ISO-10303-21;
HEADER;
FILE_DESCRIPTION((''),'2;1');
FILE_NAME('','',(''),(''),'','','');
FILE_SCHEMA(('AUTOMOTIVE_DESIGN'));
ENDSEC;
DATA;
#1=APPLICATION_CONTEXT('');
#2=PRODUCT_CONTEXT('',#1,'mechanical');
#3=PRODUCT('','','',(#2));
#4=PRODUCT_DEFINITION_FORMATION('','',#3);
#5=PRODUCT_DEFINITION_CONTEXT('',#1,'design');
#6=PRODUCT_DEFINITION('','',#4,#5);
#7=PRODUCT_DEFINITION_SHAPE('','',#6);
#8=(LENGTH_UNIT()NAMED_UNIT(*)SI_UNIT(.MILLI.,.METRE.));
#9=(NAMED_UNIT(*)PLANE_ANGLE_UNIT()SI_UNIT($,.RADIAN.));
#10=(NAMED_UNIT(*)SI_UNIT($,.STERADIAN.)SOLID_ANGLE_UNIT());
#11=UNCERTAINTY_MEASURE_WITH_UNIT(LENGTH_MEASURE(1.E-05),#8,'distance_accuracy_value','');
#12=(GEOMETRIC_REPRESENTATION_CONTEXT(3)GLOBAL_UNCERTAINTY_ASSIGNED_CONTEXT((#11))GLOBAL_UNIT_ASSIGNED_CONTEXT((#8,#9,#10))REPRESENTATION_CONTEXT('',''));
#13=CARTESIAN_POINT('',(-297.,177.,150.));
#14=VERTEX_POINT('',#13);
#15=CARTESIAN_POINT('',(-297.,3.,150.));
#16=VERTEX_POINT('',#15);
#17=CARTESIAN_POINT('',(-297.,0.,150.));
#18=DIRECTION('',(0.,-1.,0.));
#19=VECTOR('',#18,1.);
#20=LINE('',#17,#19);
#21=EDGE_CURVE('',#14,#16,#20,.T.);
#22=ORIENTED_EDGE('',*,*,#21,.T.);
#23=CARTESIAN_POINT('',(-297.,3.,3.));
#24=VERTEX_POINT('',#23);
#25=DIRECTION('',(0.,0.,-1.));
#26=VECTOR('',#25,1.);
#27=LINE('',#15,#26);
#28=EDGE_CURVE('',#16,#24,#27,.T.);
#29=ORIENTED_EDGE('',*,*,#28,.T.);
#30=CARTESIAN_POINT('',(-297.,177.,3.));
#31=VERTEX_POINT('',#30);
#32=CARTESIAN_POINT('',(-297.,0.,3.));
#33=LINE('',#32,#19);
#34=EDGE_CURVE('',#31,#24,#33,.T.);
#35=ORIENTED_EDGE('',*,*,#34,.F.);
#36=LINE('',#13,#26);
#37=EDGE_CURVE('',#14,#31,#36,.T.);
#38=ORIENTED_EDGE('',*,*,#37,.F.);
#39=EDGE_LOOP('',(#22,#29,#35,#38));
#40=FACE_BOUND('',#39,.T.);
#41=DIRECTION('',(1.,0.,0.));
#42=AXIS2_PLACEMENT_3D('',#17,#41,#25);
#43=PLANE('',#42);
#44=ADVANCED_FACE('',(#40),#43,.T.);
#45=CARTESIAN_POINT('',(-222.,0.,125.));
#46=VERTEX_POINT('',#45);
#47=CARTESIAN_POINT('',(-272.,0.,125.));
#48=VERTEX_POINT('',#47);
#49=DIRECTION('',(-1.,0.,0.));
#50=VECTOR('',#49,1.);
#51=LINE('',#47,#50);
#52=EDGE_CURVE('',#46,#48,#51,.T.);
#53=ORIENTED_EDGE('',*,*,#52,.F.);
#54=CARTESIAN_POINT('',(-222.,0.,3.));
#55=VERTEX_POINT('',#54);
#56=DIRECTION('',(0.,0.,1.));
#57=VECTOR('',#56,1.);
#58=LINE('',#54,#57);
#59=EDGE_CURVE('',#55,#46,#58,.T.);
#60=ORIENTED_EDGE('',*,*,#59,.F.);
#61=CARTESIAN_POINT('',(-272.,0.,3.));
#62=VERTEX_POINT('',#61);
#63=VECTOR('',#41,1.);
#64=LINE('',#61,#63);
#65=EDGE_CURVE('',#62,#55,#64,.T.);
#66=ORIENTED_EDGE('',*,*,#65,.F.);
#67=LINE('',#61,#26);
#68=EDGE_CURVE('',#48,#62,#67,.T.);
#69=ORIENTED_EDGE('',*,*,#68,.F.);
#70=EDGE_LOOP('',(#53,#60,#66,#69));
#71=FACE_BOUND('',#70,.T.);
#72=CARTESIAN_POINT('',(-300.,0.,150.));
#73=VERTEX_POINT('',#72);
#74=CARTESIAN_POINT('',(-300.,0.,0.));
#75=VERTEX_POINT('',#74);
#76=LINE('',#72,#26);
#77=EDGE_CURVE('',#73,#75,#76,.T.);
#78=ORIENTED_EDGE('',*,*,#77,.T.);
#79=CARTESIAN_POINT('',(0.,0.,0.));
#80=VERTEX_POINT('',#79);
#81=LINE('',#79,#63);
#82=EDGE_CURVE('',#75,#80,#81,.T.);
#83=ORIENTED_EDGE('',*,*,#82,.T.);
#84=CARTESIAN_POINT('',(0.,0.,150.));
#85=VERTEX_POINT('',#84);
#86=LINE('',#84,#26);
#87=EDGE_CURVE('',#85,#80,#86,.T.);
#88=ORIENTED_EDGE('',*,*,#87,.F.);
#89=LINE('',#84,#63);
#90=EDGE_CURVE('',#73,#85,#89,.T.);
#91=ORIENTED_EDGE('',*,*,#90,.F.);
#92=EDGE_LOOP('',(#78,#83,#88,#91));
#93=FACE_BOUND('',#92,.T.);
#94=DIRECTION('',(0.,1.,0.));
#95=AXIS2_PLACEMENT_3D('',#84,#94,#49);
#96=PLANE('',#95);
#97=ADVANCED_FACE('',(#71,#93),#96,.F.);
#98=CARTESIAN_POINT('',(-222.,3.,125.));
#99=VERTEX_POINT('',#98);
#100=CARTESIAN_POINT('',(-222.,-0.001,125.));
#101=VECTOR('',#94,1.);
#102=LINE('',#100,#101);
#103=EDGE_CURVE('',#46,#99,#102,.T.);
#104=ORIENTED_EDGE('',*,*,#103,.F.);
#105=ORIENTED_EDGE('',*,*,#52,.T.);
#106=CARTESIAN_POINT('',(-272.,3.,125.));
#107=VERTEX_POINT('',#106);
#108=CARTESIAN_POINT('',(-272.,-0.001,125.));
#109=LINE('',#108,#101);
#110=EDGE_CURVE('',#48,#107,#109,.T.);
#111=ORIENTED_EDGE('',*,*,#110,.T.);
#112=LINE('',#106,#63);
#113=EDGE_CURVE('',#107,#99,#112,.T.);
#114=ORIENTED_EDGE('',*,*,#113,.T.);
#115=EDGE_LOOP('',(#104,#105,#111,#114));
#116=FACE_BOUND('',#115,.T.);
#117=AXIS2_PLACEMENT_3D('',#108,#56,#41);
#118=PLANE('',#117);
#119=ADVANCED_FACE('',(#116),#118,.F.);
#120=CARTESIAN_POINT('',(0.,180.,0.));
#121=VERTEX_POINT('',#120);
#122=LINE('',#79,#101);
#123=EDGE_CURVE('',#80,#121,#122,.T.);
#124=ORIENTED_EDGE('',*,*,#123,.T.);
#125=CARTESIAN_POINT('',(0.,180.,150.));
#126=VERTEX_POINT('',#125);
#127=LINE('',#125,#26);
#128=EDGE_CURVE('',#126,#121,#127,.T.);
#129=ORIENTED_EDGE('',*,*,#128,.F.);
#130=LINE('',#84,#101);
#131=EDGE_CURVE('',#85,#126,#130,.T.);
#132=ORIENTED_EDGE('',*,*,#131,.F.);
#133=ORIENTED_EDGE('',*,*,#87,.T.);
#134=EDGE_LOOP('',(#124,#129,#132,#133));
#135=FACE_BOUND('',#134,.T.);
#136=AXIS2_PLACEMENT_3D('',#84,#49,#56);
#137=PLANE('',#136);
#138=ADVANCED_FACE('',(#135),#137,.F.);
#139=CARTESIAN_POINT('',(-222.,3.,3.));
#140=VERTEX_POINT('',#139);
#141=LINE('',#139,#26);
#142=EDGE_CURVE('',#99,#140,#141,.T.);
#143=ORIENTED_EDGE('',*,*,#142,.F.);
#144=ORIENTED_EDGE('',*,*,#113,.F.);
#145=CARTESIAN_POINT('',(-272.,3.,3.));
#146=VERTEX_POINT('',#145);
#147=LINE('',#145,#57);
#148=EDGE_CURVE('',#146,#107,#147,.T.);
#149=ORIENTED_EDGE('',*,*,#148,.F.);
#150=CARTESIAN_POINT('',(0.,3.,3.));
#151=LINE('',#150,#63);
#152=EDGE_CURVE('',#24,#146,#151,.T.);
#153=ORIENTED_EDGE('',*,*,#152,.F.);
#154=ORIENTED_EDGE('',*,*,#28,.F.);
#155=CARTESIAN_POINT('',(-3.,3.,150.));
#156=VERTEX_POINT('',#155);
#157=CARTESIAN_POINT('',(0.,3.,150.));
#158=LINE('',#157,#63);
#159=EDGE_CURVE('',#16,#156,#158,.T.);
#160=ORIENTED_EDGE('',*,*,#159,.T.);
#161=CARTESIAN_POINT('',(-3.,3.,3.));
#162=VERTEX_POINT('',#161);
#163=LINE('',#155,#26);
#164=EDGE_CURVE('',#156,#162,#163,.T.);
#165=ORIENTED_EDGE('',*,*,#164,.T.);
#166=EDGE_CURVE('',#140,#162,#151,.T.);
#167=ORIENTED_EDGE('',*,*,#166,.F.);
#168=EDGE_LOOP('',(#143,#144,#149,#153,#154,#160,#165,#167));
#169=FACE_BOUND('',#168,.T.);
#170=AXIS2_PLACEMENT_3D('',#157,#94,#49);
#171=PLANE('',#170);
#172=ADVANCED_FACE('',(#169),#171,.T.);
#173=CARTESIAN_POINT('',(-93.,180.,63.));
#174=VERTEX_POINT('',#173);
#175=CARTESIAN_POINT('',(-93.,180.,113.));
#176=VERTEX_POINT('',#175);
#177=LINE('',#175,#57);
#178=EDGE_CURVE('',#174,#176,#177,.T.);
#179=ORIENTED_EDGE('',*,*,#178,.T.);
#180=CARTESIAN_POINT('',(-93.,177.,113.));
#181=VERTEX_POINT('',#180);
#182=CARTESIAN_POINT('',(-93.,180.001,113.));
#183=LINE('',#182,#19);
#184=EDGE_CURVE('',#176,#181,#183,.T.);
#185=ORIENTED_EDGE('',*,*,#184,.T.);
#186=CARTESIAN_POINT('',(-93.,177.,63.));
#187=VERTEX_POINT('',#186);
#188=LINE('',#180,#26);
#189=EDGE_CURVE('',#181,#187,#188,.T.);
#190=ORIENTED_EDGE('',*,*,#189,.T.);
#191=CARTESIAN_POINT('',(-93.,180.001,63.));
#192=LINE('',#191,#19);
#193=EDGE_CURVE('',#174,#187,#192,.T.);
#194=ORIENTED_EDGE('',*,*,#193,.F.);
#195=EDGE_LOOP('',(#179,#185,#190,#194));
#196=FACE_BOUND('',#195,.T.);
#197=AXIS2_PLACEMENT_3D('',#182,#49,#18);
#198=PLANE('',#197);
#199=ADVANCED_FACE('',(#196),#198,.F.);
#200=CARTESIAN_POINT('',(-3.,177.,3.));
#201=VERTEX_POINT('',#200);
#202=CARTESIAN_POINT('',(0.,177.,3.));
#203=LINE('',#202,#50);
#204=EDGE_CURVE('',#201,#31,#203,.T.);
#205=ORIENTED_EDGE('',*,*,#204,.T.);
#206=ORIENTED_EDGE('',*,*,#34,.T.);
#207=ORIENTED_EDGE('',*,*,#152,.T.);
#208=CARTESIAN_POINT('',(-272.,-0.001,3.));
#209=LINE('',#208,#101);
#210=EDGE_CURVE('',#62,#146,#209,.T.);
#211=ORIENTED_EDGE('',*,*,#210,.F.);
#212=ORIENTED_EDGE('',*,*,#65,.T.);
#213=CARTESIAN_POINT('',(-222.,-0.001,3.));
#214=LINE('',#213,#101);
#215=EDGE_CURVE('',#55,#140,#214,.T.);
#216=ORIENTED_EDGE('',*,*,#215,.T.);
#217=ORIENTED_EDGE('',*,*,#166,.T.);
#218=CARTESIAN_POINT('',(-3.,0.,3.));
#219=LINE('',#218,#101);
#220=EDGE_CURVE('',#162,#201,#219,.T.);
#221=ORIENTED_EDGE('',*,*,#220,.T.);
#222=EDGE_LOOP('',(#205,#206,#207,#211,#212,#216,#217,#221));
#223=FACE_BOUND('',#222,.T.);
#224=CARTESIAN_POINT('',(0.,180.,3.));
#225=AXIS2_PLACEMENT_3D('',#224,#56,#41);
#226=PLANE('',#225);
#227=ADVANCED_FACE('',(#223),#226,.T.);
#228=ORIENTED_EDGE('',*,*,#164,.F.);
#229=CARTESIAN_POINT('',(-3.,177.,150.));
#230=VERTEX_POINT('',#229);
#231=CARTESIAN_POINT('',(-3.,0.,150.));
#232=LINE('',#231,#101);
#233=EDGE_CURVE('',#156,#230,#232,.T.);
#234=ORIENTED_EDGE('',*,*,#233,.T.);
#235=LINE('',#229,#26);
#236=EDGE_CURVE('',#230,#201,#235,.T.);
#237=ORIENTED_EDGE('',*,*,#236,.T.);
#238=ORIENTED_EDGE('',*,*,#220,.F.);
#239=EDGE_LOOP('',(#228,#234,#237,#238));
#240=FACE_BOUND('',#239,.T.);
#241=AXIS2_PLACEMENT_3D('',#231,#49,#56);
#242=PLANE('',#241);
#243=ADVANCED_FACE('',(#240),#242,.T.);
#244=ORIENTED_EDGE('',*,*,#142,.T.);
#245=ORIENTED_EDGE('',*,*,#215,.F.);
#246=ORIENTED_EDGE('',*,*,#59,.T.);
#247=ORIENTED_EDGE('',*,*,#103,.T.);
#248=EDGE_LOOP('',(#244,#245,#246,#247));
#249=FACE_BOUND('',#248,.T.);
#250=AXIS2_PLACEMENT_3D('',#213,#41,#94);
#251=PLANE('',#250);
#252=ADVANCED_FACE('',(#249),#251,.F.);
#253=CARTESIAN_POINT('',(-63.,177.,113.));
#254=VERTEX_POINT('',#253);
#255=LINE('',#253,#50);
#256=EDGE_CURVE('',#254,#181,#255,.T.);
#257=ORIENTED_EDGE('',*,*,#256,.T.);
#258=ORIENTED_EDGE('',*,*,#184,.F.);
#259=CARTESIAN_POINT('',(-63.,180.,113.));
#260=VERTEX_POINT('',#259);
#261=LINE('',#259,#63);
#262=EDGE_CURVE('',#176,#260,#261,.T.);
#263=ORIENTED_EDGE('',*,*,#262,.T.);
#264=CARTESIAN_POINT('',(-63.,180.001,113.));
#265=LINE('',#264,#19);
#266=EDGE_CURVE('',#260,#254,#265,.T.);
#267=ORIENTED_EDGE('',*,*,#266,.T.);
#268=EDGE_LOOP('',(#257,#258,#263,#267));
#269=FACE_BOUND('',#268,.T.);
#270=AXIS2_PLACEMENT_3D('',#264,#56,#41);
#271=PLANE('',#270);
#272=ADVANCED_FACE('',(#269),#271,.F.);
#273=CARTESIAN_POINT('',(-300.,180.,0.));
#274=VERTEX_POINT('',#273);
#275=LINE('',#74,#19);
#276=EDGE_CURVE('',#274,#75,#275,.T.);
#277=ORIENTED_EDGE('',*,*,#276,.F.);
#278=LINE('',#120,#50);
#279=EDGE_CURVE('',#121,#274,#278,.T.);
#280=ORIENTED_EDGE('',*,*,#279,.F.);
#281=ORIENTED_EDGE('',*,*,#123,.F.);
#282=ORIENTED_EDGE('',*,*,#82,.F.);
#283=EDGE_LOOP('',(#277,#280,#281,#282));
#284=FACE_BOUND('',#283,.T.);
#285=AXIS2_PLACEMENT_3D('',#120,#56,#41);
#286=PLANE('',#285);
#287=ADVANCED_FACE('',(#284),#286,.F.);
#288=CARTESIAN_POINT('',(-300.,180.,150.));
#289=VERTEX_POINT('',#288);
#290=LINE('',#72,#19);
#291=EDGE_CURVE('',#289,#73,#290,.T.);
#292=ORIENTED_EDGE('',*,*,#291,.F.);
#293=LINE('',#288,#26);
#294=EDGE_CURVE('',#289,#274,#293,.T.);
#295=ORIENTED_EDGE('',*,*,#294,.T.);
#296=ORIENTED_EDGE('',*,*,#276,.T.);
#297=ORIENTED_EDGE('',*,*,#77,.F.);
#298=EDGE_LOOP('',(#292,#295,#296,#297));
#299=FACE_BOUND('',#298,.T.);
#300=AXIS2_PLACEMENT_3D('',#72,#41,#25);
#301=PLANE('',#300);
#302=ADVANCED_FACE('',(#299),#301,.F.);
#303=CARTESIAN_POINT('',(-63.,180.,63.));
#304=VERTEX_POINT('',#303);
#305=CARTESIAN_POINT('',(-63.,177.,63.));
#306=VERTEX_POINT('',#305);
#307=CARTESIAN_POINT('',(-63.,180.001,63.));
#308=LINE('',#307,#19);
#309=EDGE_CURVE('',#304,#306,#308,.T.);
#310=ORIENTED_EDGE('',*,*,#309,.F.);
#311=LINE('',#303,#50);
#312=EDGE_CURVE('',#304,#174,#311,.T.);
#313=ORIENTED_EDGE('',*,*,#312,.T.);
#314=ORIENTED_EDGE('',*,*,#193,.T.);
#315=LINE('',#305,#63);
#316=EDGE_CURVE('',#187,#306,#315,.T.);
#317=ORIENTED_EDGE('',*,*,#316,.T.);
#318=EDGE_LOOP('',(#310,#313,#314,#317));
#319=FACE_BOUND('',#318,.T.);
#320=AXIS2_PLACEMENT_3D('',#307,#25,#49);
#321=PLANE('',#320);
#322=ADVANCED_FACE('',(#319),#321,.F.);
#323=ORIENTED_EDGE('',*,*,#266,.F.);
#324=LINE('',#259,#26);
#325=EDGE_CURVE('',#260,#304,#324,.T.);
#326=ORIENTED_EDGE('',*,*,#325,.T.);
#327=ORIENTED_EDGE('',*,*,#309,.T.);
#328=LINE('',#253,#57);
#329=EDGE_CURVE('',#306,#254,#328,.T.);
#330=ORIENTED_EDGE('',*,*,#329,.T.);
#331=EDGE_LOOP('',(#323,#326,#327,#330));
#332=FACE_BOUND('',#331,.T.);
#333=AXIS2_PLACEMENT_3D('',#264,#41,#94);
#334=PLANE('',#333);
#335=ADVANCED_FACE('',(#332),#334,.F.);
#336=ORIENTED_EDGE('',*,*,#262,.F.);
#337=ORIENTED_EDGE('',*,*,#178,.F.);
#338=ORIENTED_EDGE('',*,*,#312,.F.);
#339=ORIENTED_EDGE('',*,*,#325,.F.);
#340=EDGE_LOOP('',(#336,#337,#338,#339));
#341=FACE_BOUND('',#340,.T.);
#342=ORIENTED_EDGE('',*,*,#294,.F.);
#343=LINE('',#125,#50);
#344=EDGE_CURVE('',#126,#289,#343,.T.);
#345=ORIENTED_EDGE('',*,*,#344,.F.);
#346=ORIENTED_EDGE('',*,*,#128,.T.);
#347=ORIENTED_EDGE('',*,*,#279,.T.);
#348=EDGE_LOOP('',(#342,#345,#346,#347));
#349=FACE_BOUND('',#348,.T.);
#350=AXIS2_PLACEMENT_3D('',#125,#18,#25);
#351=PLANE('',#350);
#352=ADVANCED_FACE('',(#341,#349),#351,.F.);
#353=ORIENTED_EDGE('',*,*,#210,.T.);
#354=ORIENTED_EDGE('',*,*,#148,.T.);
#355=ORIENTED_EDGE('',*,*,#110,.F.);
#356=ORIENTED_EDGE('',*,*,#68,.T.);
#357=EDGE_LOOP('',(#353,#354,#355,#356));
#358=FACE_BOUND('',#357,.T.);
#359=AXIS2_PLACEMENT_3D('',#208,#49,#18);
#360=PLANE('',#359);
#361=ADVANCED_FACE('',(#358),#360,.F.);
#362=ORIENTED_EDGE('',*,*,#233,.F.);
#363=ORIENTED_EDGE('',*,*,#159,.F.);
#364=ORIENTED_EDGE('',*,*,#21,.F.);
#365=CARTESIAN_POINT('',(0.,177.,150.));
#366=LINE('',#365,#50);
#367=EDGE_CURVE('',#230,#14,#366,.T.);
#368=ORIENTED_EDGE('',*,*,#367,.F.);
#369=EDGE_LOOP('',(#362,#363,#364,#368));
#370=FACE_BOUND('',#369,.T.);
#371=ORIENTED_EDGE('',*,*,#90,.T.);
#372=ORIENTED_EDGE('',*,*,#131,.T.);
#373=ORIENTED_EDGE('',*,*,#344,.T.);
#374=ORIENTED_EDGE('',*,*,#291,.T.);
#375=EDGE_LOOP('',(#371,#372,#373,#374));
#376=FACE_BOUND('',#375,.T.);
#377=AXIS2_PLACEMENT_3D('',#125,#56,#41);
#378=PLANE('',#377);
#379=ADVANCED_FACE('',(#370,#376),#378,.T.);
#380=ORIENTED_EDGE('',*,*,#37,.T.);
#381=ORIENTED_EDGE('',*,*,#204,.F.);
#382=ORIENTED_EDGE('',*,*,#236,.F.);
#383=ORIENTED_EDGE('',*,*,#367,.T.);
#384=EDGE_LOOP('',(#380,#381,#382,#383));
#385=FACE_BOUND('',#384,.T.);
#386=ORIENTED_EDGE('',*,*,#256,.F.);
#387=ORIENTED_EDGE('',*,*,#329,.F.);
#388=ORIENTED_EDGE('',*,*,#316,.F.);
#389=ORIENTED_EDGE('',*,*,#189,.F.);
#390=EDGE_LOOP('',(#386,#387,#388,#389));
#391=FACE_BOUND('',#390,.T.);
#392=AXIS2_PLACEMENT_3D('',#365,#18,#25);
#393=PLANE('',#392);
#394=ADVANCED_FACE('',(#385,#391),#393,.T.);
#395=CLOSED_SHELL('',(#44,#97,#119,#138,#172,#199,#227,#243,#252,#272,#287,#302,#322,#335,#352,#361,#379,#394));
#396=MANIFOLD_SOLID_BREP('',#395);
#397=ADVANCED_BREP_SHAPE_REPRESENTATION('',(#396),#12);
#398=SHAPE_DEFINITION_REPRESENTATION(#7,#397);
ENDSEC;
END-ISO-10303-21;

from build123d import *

# Parameters (mm, degrees)
ESQUISSE1_W             = 300
ESQUISSE1_H             = 180
BOSS_EXTRU_1_DEPTH      = 150
COQUE1_T                = -3
ENL_V_MAT_EXTRU_1_REACH = 5
ESQUISSE2_W             = 50
ESQUISSE2_H             = 122
ENL_V_MAT_EXTRU_2_REACH = 5
ESQUISSE3_W             = 30
ESQUISSE3_H             = 50


with BuildPart() as part:
    # Esquisse1 → Boss.-Extru.1 (new body)
    with BuildSketch(Plane.XY):
        with Locations((-150, 90)):
            Rectangle(ESQUISSE1_W, ESQUISSE1_H)
    extrude(amount=BOSS_EXTRU_1_DEPTH)

    # Coque1
    coque1_openings = [part.faces().sort_by_distance(p)[0] for p in [
        (-150, 90, 150),
    ]]
    offset(amount=COQUE1_T, openings=coque1_openings, kind=Kind.INTERSECTION)

    # Esquisse2 → Enlèv. mat.-Extru.1 (cut, up to next)
    with BuildSketch(Plane(origin=(0, 3, 0), x_dir=(1, 0, 0), z_dir=(0, 1, 0)), mode=Mode.PRIVATE) as enl_v_mat_extru_1_sk1:
        with Locations((-247, -64)):
            Rectangle(ESQUISSE2_W, ESQUISSE2_H)
    enl_v_mat_extru_1_tool1 = extrude(enl_v_mat_extru_1_sk1.sketch, amount=-ENL_V_MAT_EXTRU_1_REACH, mode=Mode.PRIVATE) & part.part
    add(enl_v_mat_extru_1_tool1.solids().sort_by_distance((-247, 3, 64))[0], mode=Mode.SUBTRACT)

    # Esquisse3 → Enlèv. mat.-Extru.2 (cut, up to next)
    with BuildSketch(Plane.XZ.offset(-177), mode=Mode.PRIVATE) as enl_v_mat_extru_2_sk1:
        with Locations((-78, 88)):
            Rectangle(ESQUISSE3_W, ESQUISSE3_H)
    enl_v_mat_extru_2_tool1 = extrude(enl_v_mat_extru_2_sk1.sketch, amount=-ENL_V_MAT_EXTRU_2_REACH, mode=Mode.PRIVATE) & part.part
    add(enl_v_mat_extru_2_tool1.solids().sort_by_distance((-78, 177, 88))[0], mode=Mode.SUBTRACT)


solid = part.part
